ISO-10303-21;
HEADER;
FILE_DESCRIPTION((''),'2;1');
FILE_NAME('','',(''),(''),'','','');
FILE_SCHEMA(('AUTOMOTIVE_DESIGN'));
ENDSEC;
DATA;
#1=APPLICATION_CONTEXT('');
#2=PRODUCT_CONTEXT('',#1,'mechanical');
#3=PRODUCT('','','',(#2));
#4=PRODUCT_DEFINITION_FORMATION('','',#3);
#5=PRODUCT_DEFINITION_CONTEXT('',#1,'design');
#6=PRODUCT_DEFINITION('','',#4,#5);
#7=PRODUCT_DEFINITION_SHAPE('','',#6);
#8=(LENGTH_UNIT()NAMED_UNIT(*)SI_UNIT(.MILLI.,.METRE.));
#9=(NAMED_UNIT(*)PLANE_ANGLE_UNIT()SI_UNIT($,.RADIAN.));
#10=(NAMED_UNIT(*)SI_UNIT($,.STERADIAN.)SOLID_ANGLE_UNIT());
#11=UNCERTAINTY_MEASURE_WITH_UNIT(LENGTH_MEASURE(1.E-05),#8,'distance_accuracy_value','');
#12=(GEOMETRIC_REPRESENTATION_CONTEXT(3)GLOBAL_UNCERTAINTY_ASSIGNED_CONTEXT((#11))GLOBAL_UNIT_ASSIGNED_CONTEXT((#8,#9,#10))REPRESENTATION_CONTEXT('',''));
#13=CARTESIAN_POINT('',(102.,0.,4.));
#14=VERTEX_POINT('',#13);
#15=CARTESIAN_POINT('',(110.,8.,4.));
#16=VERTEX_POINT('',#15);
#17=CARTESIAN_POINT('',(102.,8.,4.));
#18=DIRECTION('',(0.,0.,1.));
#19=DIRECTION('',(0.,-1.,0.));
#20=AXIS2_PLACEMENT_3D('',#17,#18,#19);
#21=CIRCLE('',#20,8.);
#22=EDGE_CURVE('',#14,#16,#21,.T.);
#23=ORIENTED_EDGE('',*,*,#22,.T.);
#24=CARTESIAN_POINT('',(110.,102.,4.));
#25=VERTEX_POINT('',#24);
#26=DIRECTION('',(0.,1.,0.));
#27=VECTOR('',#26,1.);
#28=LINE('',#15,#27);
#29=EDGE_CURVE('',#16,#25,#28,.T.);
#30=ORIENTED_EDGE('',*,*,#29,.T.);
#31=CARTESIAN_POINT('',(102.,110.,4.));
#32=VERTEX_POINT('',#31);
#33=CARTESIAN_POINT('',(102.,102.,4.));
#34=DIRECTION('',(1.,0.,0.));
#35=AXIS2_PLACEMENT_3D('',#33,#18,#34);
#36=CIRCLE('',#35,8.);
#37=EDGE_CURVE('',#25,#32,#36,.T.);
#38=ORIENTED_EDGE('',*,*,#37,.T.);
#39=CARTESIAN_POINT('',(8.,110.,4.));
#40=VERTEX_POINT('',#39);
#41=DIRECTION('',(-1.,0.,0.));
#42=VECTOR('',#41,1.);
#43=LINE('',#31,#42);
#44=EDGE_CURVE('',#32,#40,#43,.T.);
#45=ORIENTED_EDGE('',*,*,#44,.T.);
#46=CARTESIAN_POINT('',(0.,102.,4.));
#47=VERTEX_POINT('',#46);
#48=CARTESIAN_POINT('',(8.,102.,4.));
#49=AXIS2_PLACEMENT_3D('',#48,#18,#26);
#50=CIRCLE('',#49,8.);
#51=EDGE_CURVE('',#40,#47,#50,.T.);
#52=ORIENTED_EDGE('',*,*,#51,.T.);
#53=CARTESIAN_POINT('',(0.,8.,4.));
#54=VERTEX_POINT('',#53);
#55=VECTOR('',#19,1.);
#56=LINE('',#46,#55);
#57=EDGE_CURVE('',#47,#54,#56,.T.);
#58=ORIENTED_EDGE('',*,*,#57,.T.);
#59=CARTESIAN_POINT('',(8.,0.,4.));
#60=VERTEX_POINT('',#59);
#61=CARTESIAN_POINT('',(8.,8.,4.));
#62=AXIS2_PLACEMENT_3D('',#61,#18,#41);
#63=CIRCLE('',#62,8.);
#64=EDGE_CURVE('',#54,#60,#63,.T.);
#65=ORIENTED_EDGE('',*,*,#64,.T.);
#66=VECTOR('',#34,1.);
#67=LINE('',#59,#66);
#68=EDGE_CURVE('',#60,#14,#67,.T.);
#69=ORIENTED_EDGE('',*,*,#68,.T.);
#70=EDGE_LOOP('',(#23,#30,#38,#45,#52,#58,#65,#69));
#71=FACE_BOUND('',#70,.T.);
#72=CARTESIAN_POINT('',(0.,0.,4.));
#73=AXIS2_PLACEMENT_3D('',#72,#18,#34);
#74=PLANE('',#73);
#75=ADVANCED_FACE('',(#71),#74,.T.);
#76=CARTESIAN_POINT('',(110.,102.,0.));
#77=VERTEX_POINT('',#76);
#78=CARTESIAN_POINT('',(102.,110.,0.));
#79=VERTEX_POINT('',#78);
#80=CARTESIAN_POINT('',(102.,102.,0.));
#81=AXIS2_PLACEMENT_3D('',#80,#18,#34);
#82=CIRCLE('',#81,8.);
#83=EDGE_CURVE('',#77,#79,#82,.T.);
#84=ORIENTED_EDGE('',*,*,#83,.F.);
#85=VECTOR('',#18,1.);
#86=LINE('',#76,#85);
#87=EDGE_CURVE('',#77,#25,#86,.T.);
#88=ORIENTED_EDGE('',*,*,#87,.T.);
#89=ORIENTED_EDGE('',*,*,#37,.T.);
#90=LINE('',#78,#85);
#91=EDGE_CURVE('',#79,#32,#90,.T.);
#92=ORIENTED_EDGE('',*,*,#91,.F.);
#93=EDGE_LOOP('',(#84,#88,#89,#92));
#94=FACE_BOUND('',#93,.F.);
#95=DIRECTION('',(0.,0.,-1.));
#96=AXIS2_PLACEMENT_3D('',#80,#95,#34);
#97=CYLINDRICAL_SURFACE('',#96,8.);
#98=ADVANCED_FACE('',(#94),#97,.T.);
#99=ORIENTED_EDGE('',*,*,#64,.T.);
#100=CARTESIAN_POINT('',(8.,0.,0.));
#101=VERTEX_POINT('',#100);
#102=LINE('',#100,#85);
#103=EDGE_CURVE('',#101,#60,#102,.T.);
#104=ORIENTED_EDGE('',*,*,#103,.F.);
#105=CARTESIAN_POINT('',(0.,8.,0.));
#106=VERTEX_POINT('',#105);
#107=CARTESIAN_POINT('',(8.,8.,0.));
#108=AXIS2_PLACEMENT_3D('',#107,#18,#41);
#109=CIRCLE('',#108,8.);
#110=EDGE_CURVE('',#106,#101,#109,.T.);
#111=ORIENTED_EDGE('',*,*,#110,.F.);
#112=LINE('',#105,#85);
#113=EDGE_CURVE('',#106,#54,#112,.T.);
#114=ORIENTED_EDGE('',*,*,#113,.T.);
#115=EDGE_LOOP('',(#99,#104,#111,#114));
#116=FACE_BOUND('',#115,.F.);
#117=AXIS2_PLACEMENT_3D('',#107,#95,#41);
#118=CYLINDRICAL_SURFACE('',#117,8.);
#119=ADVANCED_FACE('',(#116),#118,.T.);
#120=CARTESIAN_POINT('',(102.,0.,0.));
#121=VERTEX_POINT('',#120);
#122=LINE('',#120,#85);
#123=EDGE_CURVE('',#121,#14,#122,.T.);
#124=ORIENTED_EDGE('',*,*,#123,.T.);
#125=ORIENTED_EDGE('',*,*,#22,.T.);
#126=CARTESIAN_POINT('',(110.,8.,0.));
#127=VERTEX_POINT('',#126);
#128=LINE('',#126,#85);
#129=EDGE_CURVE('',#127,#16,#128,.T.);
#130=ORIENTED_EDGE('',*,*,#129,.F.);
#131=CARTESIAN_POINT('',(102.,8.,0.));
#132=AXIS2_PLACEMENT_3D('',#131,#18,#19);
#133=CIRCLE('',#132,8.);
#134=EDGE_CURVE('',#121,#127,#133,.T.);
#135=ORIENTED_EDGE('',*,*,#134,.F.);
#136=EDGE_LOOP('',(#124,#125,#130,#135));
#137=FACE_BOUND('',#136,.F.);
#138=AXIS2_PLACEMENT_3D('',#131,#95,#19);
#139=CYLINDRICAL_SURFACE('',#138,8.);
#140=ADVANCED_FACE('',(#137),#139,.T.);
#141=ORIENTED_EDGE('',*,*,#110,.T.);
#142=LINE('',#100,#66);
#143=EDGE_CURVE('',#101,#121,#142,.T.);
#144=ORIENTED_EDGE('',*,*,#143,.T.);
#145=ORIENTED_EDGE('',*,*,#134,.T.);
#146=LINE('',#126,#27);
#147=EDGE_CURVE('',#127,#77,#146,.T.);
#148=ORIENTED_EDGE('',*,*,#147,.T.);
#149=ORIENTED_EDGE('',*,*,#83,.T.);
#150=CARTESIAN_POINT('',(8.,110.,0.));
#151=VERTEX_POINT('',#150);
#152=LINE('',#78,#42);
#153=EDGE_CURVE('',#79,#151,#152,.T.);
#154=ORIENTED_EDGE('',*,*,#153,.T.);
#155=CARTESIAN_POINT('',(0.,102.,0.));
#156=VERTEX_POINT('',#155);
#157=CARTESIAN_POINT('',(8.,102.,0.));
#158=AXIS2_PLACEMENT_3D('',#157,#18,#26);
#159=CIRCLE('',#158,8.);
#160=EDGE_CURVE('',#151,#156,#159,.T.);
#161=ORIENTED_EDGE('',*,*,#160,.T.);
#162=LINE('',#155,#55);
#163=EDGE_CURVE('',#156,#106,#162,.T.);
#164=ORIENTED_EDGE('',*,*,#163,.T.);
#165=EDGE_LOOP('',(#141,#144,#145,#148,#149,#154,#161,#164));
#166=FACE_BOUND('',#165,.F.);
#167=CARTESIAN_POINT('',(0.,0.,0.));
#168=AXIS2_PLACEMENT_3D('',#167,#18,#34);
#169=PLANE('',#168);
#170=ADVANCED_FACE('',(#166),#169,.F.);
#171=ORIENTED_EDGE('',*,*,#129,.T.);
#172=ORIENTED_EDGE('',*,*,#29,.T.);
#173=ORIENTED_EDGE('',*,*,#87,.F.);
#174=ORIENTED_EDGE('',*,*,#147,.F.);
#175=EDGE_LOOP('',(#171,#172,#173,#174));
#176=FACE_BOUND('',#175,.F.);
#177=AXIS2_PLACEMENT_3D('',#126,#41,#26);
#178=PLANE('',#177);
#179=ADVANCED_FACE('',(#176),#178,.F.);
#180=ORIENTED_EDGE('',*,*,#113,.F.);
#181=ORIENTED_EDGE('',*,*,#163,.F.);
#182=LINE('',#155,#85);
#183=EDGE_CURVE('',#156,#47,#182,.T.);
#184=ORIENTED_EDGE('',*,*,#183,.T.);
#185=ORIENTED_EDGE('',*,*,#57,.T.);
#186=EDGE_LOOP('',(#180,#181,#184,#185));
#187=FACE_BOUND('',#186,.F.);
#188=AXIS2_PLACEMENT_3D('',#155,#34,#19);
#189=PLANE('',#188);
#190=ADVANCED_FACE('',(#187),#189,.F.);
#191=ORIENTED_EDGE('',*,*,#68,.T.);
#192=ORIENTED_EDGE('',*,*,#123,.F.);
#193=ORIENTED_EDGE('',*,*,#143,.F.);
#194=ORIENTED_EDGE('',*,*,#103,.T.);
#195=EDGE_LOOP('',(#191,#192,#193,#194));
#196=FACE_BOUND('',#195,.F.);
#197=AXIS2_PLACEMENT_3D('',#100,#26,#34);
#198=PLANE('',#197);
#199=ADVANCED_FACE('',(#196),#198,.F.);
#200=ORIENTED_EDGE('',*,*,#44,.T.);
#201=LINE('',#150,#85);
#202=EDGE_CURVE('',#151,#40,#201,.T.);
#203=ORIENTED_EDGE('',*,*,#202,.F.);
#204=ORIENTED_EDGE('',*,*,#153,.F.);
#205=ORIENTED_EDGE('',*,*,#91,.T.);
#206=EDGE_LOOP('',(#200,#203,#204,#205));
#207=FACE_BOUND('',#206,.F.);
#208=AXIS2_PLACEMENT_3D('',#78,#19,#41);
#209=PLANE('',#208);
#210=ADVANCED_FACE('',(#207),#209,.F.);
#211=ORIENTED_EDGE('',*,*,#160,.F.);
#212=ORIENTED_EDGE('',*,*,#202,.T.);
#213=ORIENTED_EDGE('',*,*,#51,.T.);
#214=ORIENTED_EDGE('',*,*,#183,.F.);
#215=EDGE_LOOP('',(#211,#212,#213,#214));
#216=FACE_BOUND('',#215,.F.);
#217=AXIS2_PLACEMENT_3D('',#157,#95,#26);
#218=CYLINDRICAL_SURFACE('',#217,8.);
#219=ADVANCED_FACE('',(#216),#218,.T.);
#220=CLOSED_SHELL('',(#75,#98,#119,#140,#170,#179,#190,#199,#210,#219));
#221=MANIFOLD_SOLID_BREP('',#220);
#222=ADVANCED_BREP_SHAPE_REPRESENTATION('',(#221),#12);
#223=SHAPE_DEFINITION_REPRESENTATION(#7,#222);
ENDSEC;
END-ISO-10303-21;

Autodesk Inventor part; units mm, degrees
ref_plane "YZ Plane" through (0, 0, 0) normal (1, 0, 0) x (0, 1, 0)
ref_plane "XZ Plane" through (0, 0, 0) normal (0, 1, 0) x (-1, 0, 0)
ref_plane "XY Plane" through (0, 0, 0) normal (0, 0, 1) x (1, 0, 0)
sketch "Sketch1" plane through (0, 0, 0) normal (0, 0, 1) x (1, 0, 0)
  line L0 (8, 0) -> (102, 0)
  line L1 (110, 8) -> (110, 102)
  line L2 (102, 110) -> (8, 110)
  line L3 (0, 102) -> (0, 8)
  arc A0 (2.5, 110) -> (0, 107.5) centre (2.5, 107.5) ccw
  arc A1 (110, 102) -> (102, 110) centre (102, 102) ccw
  arc A2 (8, 110) -> (0, 102) centre (8, 102) ccw
  arc A3 (0, 8) -> (8, 0) centre (8, 8) ccw
  arc A4 (102, 0) -> (110, 8) centre (102, 8) ccw
  circle A5 centre (55, 55) radius 5
  point P0 (0, 0)
  point P1 (110, 110)
  point P2 (110, 0)
  point P3 (0, 110)
  dimension "d0" = 110
  dimension "d1" = 110
  dimension "d3" = 8
  dimension "d4" = 8
  dimension "d6" = 8
  dimension "d9" = 10
extrude "Extrusion1" add sketch "Sketch1" along normal blind 4 contours A3 L3 A2 L2 A1 L1 A4 L0 | A5
properties part number "PistonFeederHeadMini" material "Stainless Steel"
